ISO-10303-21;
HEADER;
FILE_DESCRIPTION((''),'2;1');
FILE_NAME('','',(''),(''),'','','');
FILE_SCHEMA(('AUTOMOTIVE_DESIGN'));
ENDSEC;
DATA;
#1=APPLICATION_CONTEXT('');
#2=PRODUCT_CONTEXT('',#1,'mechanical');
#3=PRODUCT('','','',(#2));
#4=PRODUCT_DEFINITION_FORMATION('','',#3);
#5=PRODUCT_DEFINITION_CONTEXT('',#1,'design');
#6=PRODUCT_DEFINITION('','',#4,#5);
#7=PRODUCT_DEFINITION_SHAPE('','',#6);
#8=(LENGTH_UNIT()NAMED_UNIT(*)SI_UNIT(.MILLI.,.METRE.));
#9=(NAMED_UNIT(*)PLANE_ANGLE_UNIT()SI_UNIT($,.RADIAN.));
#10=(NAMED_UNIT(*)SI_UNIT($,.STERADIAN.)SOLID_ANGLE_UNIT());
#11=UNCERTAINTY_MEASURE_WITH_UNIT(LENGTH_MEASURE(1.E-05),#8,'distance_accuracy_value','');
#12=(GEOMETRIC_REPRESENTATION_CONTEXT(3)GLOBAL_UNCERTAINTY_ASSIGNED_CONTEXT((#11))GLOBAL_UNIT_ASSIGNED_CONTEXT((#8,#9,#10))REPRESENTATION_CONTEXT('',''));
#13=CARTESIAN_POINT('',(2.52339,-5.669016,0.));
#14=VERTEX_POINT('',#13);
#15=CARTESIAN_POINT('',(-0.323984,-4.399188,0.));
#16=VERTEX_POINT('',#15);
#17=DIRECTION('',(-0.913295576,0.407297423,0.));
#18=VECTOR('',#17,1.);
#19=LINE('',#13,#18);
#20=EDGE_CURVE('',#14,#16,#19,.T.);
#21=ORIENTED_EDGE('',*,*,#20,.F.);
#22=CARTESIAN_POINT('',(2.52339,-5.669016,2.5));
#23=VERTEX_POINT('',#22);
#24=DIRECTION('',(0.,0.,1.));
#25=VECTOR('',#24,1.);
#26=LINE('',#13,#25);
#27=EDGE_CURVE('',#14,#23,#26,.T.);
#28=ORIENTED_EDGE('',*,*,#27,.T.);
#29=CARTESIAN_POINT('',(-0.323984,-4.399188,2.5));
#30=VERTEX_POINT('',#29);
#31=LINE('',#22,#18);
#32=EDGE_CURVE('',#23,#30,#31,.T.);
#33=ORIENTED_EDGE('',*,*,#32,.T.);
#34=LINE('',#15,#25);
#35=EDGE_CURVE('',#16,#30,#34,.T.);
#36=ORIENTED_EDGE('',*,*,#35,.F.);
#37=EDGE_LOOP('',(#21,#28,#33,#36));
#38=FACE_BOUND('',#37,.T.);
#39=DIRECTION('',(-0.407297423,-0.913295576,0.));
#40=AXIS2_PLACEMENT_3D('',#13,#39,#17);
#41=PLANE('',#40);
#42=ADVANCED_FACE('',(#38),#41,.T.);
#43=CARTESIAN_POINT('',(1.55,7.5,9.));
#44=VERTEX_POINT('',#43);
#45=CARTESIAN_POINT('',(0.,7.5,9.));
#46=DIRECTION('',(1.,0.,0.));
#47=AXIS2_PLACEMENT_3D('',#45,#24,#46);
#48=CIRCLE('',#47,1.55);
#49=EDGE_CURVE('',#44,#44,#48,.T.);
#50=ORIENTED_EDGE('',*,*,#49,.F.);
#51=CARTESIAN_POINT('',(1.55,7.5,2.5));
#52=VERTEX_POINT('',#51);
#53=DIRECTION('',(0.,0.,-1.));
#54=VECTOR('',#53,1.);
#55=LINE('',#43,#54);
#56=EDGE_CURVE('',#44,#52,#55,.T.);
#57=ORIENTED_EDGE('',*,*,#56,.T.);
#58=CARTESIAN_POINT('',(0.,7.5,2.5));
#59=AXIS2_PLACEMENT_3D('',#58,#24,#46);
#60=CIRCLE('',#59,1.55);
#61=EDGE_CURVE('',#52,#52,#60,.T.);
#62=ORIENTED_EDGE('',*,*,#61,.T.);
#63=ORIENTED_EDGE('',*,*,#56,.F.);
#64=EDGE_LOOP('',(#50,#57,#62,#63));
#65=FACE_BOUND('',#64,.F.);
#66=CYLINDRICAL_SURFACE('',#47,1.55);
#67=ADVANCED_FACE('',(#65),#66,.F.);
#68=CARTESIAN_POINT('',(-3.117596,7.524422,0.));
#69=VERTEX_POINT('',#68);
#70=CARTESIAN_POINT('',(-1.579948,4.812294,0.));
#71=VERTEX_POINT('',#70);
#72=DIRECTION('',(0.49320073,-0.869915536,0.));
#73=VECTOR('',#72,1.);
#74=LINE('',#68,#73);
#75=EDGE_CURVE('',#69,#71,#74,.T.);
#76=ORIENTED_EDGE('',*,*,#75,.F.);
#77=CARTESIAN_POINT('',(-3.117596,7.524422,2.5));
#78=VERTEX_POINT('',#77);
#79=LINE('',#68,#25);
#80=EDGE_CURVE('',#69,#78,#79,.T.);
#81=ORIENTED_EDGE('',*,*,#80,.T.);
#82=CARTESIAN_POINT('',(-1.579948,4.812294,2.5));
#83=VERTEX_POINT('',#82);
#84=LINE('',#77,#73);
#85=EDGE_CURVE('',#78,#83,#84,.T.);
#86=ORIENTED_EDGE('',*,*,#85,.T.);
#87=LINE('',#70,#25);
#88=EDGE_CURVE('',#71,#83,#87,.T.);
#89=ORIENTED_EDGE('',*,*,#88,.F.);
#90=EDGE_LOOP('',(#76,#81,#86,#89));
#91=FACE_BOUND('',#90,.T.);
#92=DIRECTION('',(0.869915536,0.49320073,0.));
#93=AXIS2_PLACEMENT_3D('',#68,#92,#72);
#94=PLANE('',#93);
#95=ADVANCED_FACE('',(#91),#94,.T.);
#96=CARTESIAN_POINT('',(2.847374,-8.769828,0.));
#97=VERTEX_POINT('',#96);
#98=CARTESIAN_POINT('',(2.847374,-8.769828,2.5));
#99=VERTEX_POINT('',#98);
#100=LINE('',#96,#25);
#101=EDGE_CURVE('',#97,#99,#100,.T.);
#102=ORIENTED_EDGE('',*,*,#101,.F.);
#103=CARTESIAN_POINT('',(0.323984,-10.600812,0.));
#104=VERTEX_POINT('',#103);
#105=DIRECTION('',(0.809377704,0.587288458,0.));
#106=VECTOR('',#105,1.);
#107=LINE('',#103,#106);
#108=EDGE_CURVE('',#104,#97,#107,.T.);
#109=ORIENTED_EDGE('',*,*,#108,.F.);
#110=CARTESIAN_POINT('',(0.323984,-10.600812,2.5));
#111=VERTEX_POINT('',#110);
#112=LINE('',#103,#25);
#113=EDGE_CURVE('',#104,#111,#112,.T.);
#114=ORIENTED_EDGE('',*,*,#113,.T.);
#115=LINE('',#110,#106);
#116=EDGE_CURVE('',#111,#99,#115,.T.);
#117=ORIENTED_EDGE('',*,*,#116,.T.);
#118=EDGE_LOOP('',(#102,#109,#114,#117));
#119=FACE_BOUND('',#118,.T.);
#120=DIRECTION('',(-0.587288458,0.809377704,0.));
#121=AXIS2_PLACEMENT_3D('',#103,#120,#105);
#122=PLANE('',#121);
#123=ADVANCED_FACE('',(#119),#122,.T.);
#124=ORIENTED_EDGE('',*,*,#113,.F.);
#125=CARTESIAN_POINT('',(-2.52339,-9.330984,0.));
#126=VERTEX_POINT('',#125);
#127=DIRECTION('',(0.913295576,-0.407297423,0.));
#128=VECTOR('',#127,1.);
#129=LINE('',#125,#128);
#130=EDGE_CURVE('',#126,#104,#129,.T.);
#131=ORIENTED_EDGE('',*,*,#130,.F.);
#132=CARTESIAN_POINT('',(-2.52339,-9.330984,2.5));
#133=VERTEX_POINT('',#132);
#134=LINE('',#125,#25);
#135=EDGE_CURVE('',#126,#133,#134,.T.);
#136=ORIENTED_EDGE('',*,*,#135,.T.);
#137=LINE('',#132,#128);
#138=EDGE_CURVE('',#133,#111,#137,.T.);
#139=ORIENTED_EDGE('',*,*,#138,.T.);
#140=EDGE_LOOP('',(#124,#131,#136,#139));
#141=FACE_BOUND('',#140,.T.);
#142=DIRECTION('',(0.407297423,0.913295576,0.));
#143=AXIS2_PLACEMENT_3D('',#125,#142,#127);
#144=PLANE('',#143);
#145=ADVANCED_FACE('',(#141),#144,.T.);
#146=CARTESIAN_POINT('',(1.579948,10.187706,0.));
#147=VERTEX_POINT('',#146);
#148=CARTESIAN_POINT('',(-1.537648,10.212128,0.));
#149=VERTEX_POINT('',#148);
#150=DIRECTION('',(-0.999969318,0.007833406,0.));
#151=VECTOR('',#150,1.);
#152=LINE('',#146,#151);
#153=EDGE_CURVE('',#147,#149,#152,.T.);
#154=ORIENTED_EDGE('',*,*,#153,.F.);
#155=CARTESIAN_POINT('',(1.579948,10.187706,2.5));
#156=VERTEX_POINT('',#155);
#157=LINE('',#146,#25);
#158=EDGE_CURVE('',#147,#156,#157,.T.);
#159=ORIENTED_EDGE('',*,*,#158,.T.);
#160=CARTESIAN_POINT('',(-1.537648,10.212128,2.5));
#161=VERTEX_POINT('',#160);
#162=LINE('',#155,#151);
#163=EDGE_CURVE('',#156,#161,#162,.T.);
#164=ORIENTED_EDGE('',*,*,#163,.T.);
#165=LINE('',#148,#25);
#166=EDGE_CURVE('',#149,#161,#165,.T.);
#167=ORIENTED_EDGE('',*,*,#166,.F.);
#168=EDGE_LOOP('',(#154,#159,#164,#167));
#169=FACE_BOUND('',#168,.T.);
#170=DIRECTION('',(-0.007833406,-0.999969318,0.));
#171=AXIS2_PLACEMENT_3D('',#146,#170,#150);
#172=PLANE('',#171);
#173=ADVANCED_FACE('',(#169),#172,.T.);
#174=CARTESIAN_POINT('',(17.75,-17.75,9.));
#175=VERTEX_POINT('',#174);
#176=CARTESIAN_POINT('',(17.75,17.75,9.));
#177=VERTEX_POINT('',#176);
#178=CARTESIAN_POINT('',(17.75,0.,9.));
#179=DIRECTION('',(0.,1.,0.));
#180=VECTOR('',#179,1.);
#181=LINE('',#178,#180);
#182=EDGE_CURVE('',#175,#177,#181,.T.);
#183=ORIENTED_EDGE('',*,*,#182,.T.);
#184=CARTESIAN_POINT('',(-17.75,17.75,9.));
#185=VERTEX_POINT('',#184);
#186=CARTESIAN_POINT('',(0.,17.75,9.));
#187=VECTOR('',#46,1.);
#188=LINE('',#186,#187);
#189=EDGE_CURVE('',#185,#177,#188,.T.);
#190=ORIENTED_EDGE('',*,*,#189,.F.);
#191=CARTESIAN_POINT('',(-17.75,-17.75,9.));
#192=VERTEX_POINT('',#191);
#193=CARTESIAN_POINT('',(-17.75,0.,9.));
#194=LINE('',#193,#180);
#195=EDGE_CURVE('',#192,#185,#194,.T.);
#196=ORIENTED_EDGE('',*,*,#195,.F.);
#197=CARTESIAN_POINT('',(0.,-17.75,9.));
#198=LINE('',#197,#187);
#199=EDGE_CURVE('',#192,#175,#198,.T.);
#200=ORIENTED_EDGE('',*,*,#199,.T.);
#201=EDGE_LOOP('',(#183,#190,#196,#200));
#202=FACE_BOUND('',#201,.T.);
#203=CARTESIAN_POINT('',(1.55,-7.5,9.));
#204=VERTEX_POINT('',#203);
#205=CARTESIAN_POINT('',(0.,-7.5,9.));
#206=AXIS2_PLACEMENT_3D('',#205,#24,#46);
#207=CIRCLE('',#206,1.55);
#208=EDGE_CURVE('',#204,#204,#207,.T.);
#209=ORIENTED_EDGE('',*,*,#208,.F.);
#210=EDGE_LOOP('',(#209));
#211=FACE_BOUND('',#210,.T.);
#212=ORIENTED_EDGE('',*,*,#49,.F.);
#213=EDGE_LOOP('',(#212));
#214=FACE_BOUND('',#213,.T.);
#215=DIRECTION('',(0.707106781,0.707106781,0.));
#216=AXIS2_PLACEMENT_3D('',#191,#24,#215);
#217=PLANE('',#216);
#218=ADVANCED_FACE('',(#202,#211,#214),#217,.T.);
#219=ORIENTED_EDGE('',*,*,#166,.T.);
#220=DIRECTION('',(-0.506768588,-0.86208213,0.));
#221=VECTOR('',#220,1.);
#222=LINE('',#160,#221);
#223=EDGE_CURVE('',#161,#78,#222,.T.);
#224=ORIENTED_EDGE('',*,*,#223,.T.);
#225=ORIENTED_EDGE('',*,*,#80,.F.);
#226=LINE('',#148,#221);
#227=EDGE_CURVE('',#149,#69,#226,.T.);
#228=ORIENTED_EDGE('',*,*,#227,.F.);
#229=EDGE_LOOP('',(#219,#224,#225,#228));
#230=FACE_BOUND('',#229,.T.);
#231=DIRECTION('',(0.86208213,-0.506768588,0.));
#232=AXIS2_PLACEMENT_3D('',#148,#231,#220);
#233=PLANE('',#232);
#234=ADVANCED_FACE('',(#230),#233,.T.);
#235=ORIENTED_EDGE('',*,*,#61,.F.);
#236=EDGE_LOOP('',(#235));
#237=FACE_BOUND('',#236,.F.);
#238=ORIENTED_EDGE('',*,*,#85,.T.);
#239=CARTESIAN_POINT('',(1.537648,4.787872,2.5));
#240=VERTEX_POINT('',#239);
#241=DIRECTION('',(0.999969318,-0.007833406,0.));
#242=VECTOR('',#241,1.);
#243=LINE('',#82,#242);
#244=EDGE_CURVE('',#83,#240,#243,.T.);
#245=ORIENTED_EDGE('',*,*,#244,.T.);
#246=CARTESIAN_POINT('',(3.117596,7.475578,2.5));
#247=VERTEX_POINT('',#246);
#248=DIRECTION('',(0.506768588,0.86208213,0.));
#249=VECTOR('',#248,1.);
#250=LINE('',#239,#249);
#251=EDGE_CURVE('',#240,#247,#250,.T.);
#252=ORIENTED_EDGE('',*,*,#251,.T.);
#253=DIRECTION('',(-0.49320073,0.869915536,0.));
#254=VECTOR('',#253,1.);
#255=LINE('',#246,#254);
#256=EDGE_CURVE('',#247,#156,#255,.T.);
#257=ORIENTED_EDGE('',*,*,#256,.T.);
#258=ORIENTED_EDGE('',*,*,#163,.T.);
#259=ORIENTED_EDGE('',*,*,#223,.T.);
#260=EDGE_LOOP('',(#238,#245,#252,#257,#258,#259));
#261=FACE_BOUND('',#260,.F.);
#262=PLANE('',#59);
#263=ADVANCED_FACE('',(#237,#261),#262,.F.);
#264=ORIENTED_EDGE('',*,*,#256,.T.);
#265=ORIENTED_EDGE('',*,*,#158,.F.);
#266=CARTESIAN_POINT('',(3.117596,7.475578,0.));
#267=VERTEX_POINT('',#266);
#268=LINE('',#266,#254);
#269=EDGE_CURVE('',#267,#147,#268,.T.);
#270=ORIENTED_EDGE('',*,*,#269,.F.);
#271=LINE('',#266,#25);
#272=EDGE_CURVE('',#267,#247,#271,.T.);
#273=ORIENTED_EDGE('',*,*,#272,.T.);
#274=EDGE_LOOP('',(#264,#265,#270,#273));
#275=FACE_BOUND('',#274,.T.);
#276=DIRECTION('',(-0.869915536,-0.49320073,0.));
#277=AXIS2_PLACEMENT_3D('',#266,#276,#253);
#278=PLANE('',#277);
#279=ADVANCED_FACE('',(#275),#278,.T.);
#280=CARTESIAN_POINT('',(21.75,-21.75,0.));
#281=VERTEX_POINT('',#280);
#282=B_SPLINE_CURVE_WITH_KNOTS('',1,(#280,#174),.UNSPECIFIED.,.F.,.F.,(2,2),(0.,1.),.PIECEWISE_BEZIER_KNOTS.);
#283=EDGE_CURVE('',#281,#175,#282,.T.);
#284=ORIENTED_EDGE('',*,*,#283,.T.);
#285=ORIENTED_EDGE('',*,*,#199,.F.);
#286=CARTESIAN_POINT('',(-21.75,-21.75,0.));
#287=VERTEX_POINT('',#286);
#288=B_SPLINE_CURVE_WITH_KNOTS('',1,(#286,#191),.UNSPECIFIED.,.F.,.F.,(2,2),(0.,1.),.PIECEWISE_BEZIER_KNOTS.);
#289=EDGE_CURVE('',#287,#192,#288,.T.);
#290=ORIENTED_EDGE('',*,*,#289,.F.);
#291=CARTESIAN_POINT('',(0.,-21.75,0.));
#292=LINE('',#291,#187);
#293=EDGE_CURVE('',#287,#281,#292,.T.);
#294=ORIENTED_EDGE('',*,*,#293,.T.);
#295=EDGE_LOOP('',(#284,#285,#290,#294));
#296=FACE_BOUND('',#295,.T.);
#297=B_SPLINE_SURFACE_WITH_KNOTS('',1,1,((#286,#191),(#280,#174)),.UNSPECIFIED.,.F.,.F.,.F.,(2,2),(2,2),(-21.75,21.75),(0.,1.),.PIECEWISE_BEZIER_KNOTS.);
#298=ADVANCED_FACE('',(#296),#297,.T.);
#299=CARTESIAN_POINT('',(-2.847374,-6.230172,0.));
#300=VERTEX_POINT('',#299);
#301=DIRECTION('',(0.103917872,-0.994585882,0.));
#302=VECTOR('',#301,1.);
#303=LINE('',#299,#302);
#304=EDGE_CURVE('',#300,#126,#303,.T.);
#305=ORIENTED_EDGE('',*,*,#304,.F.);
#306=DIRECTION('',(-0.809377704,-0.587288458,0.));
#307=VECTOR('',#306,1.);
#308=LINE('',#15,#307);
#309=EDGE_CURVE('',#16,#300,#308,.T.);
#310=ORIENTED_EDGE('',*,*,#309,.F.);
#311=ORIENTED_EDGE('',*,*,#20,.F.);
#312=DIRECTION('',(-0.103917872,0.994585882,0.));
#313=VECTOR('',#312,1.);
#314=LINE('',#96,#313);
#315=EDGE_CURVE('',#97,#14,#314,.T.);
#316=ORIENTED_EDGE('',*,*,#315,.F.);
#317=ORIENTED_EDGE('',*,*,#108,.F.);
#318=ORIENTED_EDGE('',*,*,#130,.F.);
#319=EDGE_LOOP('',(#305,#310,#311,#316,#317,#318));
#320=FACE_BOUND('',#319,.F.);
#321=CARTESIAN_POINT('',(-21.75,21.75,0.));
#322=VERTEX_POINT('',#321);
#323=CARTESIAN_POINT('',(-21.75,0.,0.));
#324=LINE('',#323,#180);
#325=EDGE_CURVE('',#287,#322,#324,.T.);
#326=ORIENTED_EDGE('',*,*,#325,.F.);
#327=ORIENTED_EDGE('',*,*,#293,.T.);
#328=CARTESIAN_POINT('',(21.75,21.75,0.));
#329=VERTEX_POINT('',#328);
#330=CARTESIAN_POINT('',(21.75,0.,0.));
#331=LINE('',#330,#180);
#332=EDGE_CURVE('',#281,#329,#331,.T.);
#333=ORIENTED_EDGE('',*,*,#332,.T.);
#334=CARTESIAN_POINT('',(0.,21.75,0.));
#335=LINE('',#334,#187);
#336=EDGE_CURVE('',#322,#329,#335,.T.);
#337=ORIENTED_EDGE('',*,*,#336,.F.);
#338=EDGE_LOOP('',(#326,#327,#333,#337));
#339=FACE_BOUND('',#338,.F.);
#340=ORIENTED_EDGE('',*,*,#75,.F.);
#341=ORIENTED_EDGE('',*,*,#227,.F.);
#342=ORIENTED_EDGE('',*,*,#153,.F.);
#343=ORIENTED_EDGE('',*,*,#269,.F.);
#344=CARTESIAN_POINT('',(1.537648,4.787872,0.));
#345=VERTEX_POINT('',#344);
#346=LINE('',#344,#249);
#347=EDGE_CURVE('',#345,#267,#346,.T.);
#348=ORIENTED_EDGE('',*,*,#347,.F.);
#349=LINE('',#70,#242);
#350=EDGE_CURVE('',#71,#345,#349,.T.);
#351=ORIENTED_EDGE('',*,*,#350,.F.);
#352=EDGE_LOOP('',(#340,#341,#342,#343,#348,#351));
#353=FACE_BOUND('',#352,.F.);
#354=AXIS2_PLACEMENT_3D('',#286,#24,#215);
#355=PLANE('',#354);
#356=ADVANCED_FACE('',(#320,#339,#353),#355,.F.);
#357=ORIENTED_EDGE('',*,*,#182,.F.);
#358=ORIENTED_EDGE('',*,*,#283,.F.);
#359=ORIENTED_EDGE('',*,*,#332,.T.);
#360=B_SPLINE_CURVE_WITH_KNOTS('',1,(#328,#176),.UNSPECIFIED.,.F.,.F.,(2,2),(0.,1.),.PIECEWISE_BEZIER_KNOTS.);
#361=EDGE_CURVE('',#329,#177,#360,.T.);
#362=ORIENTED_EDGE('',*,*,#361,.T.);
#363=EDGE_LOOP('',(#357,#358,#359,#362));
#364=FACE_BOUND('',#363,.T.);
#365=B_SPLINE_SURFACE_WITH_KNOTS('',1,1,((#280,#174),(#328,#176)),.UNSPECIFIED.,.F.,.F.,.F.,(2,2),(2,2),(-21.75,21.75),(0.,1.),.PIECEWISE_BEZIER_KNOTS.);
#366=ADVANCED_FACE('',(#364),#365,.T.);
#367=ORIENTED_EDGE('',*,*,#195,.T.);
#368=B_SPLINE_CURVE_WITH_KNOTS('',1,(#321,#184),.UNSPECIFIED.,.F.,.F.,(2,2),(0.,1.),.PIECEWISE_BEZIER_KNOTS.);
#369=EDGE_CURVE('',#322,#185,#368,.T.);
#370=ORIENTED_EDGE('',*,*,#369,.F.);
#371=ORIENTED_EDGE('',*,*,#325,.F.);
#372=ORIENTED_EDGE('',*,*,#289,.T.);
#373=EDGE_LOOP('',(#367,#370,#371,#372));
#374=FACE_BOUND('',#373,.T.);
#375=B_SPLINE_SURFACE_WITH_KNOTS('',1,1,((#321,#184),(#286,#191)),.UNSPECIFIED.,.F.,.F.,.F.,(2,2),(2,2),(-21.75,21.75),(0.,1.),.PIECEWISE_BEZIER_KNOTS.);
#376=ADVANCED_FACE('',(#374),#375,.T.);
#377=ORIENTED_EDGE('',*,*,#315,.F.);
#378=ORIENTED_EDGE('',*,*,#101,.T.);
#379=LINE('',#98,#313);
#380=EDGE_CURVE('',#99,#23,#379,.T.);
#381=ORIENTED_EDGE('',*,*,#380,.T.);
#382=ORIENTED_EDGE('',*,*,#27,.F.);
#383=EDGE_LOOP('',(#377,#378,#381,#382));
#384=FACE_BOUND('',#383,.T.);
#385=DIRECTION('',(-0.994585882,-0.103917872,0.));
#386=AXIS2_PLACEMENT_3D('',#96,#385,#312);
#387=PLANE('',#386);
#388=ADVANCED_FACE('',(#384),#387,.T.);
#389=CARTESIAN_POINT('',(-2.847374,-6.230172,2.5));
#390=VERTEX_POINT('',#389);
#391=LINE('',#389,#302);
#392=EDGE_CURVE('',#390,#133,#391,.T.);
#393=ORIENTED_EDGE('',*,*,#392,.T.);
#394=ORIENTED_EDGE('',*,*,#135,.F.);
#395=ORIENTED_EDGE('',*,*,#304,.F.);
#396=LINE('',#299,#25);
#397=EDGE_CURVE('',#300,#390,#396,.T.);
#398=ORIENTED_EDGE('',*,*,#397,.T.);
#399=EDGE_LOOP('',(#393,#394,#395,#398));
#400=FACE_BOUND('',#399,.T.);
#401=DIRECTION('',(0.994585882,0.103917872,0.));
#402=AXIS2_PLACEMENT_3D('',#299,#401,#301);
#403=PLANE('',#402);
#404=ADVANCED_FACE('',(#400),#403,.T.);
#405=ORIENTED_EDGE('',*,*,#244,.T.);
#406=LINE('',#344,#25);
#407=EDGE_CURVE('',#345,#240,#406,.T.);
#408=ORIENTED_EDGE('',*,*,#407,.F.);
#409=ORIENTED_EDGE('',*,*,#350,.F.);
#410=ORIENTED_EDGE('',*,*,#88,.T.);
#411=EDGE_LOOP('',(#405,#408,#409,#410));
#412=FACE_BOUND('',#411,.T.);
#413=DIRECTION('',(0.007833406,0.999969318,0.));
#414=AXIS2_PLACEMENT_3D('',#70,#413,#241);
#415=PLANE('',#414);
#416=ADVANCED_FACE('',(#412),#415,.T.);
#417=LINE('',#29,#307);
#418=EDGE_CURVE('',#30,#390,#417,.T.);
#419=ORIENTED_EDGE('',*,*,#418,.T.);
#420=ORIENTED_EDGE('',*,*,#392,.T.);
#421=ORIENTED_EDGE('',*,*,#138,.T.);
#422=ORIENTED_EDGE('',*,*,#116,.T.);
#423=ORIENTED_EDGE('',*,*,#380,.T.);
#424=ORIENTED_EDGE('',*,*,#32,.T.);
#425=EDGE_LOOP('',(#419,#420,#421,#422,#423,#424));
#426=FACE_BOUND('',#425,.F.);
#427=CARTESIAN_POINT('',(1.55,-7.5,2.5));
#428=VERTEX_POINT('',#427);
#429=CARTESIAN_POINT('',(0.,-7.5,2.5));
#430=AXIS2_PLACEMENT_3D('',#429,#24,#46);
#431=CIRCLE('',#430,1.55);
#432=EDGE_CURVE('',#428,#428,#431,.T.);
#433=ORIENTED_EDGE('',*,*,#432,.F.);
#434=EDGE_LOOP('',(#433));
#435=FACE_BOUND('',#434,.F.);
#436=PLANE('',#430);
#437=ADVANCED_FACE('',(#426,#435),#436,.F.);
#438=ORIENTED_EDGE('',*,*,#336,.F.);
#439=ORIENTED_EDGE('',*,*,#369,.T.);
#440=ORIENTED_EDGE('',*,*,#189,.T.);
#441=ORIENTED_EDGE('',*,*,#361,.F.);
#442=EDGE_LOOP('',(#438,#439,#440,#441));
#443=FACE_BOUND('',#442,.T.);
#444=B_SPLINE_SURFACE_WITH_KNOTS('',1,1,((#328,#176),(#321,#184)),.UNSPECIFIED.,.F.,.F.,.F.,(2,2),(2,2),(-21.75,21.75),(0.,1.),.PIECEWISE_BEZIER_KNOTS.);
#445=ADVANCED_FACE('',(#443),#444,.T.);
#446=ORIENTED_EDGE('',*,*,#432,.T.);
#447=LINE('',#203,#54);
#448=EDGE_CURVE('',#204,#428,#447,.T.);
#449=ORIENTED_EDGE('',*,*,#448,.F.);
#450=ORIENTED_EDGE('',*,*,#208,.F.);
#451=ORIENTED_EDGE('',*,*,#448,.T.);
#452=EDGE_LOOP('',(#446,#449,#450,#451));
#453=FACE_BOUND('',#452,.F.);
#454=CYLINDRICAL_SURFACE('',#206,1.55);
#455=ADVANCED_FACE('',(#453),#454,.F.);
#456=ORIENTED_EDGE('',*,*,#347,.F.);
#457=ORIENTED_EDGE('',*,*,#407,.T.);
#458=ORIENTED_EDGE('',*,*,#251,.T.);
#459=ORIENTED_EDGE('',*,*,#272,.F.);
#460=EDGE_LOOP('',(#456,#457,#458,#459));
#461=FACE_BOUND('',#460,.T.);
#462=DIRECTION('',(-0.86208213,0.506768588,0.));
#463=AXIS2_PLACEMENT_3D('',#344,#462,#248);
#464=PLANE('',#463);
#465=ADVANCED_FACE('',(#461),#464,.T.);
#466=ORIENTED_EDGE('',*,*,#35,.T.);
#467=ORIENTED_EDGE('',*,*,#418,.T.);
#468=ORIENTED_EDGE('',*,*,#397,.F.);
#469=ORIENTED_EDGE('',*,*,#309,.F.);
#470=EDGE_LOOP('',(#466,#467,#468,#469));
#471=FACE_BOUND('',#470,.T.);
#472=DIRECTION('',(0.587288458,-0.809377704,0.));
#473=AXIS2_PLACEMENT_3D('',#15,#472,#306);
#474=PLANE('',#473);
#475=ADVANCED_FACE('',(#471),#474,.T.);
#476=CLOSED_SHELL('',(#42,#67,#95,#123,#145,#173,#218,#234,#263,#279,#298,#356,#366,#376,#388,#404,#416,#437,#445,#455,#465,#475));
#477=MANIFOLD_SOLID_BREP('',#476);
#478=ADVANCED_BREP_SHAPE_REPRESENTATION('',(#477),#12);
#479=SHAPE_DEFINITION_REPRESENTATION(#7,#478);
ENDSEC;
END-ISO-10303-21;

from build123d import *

# Parameters (mm, degrees)
F0_W      = 43.5
F0_H      = 43.5
F3_W      = 35.5
F3_H      = 35.5
F6_R      = 1.55
F8_DEPTH  = 9.0010001
F9_DEPTH  = 9.0010001
F10_DEPTH = 2.5
F11_DEPTH = 2.5


with BuildPart() as f4:
    # F0 (on Top) → F4 section 0
    with BuildSketch(Plane.XY):
        Rectangle(F0_W, F0_H)
    # F3 (on offset) → F4 section 1
    with BuildSketch(Plane.XY.offset(9)):
        Rectangle(F3_W, F3_H)
    loft()

    # F6 (on face) → F8 (cut, through all)
    with BuildSketch(Plane.XY.offset(9)):
        with Locations((0, 7.5)):
            Circle(F6_R)
    extrude(amount=-F8_DEPTH, mode=Mode.SUBTRACT)

    # F6 (on face) → F9 (cut, through all)
    with BuildSketch(Plane.XY.offset(9)):
        with Locations((0, -7.5)):
            Circle(F6_R)
    extrude(amount=-F9_DEPTH, mode=Mode.SUBTRACT)

    # F7 (on Top) → F10 (cut)
    with BuildSketch(Plane.XY):
        Polygon((0.3239838625, -10.6008119029), (2.8473738115, -8.7698276961), (2.523389949, -5.6690157933), (-0.3239838625, -4.3991880971), (-2.8473738115, -6.2301723039), (-2.523389949, -9.3309842067), align=None)
    extrude(amount=F10_DEPTH, mode=Mode.SUBTRACT)

    # F7 (on Top) → F11 (cut)
    with BuildSketch(Plane.XY):
        Polygon((3.1175957979, 7.4755778561), (1.579948096, 10.1877060877), (-1.5376477019, 10.2121282317), (-3.1175957979, 7.5244221439), (-1.579948096, 4.8122939123), (1.5376477019, 4.7878717683), align=None)
    extrude(amount=F11_DEPTH, mode=Mode.SUBTRACT)


solid = f4.part
